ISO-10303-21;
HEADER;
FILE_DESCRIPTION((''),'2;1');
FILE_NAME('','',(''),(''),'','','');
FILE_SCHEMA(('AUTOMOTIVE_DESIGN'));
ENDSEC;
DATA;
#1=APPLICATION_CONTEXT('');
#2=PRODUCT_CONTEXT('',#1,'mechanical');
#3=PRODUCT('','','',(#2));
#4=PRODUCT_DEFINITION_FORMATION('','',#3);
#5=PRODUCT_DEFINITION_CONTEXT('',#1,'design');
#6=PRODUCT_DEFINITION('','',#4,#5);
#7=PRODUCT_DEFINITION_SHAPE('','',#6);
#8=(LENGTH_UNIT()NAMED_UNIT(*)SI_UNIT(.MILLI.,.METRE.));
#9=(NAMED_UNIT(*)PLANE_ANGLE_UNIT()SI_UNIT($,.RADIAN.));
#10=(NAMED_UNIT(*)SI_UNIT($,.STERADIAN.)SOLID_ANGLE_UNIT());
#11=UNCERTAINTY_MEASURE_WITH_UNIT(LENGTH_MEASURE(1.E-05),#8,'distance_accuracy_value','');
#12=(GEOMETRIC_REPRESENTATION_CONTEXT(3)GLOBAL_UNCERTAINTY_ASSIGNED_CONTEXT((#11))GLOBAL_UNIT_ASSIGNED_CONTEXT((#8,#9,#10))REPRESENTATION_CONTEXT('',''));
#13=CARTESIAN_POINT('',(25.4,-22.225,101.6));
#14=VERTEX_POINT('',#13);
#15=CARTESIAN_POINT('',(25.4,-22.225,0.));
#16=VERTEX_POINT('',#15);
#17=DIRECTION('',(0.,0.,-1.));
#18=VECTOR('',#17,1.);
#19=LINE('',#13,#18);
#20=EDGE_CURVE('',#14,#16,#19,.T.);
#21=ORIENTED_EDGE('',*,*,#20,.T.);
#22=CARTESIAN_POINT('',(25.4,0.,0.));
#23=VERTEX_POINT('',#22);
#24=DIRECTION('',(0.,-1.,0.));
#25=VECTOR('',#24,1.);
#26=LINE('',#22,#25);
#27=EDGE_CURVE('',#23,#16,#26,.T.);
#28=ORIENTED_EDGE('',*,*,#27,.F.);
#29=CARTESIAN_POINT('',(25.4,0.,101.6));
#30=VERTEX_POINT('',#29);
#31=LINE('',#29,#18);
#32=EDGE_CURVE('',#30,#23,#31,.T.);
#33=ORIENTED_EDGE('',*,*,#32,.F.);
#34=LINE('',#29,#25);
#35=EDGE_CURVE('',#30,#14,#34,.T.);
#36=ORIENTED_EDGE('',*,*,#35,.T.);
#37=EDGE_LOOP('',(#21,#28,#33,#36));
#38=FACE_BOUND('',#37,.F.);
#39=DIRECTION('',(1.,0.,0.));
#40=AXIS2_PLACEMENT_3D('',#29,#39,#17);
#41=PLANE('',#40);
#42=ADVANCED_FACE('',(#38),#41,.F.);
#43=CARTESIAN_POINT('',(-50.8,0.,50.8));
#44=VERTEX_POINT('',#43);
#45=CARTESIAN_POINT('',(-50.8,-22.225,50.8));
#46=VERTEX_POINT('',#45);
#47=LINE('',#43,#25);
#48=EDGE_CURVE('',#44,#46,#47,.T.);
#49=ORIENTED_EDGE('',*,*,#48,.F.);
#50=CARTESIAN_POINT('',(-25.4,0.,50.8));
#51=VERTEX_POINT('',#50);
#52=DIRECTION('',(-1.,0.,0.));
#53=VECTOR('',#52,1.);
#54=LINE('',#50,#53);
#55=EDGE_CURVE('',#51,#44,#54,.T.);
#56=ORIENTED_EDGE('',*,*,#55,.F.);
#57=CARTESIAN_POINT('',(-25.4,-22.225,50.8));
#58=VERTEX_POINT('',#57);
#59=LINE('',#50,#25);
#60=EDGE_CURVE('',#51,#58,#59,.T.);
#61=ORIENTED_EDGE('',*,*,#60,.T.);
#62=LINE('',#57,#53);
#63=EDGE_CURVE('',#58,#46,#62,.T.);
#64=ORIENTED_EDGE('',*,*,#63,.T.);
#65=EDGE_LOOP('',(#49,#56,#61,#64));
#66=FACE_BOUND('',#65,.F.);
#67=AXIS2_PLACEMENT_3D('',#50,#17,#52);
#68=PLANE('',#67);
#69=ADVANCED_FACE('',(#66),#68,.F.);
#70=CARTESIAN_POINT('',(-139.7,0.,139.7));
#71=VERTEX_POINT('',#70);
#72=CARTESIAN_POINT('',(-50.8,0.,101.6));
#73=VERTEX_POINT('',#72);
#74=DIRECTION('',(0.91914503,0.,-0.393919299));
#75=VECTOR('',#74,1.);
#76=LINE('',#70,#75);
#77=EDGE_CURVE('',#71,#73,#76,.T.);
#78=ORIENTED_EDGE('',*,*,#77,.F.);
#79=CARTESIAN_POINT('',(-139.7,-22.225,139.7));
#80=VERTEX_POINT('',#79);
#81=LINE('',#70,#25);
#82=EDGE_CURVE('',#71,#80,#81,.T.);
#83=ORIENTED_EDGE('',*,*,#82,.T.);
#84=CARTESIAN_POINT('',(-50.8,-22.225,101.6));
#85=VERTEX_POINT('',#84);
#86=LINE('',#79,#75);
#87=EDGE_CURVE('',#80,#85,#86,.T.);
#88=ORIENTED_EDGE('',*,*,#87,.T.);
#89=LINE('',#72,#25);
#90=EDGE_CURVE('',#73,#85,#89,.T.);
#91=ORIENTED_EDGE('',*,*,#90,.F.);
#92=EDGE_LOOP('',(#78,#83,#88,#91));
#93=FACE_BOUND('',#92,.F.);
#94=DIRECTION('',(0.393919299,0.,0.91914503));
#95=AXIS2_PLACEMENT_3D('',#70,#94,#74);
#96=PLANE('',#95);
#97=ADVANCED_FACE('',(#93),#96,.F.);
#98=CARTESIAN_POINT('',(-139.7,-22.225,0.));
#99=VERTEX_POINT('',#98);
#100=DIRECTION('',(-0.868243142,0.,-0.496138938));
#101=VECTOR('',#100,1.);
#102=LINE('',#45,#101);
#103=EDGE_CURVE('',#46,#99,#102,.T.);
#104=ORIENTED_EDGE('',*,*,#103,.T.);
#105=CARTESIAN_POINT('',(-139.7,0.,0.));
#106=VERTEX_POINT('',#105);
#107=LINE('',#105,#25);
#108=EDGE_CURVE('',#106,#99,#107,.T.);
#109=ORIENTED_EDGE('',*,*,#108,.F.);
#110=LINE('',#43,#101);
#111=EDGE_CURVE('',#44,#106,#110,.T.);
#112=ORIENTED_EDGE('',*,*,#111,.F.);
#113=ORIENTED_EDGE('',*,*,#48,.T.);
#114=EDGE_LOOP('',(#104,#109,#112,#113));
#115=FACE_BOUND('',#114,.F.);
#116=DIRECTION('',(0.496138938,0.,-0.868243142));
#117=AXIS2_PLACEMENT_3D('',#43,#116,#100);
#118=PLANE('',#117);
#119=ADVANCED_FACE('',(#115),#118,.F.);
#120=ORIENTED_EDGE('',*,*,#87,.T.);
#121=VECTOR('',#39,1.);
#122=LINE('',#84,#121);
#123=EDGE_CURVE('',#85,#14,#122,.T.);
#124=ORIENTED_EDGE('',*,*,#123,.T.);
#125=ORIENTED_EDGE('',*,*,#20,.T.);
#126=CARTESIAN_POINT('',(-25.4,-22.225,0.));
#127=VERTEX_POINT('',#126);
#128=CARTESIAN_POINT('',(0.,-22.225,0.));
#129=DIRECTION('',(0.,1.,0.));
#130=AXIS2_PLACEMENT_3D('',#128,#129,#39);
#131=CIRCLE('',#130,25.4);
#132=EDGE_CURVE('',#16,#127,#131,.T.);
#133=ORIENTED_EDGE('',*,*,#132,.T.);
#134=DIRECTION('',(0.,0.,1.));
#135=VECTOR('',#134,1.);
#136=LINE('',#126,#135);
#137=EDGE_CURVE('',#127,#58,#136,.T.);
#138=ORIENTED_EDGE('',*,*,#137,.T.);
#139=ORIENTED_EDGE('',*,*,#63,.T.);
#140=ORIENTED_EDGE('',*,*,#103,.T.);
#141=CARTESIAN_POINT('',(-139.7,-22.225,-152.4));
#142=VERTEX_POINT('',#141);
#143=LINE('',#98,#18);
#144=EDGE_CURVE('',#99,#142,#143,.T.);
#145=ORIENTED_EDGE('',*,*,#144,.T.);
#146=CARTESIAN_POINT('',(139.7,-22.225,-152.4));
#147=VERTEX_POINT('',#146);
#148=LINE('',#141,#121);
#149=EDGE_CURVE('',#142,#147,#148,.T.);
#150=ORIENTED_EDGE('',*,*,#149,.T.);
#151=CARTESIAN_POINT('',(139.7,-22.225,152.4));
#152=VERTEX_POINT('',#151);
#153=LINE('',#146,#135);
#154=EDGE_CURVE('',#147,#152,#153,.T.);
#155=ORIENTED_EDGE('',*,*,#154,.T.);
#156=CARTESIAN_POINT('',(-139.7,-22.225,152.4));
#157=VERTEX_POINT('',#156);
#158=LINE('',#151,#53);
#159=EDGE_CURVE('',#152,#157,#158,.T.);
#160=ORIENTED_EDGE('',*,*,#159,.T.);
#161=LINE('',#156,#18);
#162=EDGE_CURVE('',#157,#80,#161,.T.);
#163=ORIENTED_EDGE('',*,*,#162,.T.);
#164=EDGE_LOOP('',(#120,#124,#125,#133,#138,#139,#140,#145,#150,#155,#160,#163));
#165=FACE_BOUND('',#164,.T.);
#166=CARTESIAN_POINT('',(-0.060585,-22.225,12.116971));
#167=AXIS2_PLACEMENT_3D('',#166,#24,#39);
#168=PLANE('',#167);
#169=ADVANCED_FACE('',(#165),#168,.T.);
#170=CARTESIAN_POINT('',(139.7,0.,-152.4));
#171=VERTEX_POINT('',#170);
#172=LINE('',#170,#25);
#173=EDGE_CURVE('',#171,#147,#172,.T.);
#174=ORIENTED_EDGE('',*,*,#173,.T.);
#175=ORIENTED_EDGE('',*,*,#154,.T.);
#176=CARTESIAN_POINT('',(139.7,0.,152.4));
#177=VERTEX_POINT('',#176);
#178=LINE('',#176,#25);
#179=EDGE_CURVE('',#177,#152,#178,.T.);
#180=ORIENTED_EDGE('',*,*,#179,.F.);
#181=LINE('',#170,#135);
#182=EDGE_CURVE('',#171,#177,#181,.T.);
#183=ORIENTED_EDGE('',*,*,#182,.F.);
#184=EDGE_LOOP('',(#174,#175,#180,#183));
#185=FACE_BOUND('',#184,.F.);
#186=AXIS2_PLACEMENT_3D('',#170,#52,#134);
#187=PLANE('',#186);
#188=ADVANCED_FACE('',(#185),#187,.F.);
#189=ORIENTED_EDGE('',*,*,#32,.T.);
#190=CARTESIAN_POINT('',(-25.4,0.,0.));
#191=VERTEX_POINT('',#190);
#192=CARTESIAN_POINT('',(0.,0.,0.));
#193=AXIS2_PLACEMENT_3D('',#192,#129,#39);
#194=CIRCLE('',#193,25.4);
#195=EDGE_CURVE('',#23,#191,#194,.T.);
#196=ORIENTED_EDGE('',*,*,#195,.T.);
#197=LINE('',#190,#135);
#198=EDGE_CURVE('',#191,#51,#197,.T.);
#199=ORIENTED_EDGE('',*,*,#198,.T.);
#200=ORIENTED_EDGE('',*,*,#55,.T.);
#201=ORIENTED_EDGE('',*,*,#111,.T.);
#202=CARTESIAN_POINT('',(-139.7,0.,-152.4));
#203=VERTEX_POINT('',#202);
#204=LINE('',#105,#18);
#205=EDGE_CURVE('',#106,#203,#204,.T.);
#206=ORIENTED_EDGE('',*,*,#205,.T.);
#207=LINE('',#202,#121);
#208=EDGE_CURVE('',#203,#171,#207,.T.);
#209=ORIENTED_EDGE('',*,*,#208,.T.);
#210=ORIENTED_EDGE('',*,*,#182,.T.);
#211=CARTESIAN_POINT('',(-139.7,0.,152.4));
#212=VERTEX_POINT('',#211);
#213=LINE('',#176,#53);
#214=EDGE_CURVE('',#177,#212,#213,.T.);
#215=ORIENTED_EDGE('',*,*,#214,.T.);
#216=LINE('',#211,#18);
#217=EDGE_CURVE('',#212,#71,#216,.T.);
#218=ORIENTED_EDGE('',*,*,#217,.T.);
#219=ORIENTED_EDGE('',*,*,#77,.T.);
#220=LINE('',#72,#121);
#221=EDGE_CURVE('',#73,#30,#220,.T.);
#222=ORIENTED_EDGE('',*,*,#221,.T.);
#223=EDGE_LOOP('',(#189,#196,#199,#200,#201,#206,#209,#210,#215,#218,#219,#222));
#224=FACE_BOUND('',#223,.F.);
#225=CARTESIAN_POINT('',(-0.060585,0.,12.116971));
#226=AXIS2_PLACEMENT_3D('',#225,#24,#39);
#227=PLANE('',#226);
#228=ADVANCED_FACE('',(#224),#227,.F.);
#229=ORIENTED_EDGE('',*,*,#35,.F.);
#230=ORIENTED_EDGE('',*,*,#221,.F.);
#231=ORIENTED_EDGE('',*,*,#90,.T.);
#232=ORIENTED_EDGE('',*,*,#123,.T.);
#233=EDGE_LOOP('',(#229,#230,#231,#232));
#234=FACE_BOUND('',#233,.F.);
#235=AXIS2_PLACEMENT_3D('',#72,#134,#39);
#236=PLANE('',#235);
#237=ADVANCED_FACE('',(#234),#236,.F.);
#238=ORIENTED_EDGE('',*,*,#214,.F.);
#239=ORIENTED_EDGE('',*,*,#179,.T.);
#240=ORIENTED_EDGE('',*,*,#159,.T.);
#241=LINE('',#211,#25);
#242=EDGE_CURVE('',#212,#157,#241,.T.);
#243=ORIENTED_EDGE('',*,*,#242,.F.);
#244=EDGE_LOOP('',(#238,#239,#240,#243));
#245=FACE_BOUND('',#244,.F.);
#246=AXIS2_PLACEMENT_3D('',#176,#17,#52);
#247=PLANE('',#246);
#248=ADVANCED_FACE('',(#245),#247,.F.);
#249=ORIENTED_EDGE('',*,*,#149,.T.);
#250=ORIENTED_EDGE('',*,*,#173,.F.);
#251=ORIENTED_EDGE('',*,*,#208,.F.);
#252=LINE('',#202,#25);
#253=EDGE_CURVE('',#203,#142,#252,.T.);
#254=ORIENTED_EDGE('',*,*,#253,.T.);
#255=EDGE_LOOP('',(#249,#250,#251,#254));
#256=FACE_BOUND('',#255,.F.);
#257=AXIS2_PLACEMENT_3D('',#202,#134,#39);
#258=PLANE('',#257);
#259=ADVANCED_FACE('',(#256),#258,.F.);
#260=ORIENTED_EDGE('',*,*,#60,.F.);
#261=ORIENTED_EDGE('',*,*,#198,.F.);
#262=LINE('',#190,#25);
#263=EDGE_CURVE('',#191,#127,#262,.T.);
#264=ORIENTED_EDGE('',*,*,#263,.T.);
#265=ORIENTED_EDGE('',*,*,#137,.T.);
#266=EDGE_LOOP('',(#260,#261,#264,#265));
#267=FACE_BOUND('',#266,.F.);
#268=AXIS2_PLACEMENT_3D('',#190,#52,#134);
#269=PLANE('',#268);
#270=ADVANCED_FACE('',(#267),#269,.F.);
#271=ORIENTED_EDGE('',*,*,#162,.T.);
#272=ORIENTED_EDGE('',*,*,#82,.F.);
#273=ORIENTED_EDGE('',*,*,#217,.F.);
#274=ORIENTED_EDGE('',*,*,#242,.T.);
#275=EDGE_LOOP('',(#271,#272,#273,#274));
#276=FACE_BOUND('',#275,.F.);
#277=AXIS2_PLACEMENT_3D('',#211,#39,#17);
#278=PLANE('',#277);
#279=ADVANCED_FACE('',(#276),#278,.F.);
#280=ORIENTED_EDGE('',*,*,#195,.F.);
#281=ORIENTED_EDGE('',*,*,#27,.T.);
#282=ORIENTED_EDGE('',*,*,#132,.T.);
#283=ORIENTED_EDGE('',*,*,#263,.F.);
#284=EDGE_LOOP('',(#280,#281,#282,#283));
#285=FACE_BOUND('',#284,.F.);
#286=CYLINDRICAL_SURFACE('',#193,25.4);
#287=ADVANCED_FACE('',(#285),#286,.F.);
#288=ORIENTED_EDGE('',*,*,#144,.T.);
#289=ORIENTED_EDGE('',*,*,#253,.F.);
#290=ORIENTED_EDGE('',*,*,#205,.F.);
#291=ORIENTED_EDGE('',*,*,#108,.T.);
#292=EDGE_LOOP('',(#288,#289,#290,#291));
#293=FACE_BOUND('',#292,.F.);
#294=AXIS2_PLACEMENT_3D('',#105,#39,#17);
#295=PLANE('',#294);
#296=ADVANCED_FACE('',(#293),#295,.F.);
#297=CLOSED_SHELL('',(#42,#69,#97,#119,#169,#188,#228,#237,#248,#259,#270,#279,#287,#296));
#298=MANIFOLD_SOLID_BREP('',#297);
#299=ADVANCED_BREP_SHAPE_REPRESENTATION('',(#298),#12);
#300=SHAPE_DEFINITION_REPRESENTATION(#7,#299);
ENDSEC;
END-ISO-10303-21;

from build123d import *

# Parameters (mm, degrees)
F1_DEPTH = 22.225


with BuildPart() as f1:
    # F0 (on Front) → F1 (new body)
    with BuildSketch(Plane.XZ):
        with BuildLine():
            Line((139.7, -152.4), (139.7, 152.4))
            Line((139.7, 152.4), (-139.7, 152.4))
            Line((-139.7, 152.4), (-139.7, 139.7))
            Line((-139.7, 139.7), (-50.8, 101.6))
            Line((-50.8, 101.6), (-25.4, 101.6))
            Line((-25.4, 101.6), (25.4, 101.6))
            Line((25.4, 101.6), (25.4, 50.8))
            Line((25.4, 50.8), (25.4, 0))
            ThreePointArc((25.4, 0), (0, -25.4), (-25.4, 0))
            Line((-25.4, 0), (-25.4, 50.8))
            Line((-25.4, 50.8), (-50.8, 50.8))
            Line((-50.8, 50.8), (-139.7, 0))
            Line((-139.7, 0), (-139.7, -152.4))
            Line((-139.7, -152.4), (139.7, -152.4))
        make_face()
    extrude(amount=F1_DEPTH)


solid = f1.part
